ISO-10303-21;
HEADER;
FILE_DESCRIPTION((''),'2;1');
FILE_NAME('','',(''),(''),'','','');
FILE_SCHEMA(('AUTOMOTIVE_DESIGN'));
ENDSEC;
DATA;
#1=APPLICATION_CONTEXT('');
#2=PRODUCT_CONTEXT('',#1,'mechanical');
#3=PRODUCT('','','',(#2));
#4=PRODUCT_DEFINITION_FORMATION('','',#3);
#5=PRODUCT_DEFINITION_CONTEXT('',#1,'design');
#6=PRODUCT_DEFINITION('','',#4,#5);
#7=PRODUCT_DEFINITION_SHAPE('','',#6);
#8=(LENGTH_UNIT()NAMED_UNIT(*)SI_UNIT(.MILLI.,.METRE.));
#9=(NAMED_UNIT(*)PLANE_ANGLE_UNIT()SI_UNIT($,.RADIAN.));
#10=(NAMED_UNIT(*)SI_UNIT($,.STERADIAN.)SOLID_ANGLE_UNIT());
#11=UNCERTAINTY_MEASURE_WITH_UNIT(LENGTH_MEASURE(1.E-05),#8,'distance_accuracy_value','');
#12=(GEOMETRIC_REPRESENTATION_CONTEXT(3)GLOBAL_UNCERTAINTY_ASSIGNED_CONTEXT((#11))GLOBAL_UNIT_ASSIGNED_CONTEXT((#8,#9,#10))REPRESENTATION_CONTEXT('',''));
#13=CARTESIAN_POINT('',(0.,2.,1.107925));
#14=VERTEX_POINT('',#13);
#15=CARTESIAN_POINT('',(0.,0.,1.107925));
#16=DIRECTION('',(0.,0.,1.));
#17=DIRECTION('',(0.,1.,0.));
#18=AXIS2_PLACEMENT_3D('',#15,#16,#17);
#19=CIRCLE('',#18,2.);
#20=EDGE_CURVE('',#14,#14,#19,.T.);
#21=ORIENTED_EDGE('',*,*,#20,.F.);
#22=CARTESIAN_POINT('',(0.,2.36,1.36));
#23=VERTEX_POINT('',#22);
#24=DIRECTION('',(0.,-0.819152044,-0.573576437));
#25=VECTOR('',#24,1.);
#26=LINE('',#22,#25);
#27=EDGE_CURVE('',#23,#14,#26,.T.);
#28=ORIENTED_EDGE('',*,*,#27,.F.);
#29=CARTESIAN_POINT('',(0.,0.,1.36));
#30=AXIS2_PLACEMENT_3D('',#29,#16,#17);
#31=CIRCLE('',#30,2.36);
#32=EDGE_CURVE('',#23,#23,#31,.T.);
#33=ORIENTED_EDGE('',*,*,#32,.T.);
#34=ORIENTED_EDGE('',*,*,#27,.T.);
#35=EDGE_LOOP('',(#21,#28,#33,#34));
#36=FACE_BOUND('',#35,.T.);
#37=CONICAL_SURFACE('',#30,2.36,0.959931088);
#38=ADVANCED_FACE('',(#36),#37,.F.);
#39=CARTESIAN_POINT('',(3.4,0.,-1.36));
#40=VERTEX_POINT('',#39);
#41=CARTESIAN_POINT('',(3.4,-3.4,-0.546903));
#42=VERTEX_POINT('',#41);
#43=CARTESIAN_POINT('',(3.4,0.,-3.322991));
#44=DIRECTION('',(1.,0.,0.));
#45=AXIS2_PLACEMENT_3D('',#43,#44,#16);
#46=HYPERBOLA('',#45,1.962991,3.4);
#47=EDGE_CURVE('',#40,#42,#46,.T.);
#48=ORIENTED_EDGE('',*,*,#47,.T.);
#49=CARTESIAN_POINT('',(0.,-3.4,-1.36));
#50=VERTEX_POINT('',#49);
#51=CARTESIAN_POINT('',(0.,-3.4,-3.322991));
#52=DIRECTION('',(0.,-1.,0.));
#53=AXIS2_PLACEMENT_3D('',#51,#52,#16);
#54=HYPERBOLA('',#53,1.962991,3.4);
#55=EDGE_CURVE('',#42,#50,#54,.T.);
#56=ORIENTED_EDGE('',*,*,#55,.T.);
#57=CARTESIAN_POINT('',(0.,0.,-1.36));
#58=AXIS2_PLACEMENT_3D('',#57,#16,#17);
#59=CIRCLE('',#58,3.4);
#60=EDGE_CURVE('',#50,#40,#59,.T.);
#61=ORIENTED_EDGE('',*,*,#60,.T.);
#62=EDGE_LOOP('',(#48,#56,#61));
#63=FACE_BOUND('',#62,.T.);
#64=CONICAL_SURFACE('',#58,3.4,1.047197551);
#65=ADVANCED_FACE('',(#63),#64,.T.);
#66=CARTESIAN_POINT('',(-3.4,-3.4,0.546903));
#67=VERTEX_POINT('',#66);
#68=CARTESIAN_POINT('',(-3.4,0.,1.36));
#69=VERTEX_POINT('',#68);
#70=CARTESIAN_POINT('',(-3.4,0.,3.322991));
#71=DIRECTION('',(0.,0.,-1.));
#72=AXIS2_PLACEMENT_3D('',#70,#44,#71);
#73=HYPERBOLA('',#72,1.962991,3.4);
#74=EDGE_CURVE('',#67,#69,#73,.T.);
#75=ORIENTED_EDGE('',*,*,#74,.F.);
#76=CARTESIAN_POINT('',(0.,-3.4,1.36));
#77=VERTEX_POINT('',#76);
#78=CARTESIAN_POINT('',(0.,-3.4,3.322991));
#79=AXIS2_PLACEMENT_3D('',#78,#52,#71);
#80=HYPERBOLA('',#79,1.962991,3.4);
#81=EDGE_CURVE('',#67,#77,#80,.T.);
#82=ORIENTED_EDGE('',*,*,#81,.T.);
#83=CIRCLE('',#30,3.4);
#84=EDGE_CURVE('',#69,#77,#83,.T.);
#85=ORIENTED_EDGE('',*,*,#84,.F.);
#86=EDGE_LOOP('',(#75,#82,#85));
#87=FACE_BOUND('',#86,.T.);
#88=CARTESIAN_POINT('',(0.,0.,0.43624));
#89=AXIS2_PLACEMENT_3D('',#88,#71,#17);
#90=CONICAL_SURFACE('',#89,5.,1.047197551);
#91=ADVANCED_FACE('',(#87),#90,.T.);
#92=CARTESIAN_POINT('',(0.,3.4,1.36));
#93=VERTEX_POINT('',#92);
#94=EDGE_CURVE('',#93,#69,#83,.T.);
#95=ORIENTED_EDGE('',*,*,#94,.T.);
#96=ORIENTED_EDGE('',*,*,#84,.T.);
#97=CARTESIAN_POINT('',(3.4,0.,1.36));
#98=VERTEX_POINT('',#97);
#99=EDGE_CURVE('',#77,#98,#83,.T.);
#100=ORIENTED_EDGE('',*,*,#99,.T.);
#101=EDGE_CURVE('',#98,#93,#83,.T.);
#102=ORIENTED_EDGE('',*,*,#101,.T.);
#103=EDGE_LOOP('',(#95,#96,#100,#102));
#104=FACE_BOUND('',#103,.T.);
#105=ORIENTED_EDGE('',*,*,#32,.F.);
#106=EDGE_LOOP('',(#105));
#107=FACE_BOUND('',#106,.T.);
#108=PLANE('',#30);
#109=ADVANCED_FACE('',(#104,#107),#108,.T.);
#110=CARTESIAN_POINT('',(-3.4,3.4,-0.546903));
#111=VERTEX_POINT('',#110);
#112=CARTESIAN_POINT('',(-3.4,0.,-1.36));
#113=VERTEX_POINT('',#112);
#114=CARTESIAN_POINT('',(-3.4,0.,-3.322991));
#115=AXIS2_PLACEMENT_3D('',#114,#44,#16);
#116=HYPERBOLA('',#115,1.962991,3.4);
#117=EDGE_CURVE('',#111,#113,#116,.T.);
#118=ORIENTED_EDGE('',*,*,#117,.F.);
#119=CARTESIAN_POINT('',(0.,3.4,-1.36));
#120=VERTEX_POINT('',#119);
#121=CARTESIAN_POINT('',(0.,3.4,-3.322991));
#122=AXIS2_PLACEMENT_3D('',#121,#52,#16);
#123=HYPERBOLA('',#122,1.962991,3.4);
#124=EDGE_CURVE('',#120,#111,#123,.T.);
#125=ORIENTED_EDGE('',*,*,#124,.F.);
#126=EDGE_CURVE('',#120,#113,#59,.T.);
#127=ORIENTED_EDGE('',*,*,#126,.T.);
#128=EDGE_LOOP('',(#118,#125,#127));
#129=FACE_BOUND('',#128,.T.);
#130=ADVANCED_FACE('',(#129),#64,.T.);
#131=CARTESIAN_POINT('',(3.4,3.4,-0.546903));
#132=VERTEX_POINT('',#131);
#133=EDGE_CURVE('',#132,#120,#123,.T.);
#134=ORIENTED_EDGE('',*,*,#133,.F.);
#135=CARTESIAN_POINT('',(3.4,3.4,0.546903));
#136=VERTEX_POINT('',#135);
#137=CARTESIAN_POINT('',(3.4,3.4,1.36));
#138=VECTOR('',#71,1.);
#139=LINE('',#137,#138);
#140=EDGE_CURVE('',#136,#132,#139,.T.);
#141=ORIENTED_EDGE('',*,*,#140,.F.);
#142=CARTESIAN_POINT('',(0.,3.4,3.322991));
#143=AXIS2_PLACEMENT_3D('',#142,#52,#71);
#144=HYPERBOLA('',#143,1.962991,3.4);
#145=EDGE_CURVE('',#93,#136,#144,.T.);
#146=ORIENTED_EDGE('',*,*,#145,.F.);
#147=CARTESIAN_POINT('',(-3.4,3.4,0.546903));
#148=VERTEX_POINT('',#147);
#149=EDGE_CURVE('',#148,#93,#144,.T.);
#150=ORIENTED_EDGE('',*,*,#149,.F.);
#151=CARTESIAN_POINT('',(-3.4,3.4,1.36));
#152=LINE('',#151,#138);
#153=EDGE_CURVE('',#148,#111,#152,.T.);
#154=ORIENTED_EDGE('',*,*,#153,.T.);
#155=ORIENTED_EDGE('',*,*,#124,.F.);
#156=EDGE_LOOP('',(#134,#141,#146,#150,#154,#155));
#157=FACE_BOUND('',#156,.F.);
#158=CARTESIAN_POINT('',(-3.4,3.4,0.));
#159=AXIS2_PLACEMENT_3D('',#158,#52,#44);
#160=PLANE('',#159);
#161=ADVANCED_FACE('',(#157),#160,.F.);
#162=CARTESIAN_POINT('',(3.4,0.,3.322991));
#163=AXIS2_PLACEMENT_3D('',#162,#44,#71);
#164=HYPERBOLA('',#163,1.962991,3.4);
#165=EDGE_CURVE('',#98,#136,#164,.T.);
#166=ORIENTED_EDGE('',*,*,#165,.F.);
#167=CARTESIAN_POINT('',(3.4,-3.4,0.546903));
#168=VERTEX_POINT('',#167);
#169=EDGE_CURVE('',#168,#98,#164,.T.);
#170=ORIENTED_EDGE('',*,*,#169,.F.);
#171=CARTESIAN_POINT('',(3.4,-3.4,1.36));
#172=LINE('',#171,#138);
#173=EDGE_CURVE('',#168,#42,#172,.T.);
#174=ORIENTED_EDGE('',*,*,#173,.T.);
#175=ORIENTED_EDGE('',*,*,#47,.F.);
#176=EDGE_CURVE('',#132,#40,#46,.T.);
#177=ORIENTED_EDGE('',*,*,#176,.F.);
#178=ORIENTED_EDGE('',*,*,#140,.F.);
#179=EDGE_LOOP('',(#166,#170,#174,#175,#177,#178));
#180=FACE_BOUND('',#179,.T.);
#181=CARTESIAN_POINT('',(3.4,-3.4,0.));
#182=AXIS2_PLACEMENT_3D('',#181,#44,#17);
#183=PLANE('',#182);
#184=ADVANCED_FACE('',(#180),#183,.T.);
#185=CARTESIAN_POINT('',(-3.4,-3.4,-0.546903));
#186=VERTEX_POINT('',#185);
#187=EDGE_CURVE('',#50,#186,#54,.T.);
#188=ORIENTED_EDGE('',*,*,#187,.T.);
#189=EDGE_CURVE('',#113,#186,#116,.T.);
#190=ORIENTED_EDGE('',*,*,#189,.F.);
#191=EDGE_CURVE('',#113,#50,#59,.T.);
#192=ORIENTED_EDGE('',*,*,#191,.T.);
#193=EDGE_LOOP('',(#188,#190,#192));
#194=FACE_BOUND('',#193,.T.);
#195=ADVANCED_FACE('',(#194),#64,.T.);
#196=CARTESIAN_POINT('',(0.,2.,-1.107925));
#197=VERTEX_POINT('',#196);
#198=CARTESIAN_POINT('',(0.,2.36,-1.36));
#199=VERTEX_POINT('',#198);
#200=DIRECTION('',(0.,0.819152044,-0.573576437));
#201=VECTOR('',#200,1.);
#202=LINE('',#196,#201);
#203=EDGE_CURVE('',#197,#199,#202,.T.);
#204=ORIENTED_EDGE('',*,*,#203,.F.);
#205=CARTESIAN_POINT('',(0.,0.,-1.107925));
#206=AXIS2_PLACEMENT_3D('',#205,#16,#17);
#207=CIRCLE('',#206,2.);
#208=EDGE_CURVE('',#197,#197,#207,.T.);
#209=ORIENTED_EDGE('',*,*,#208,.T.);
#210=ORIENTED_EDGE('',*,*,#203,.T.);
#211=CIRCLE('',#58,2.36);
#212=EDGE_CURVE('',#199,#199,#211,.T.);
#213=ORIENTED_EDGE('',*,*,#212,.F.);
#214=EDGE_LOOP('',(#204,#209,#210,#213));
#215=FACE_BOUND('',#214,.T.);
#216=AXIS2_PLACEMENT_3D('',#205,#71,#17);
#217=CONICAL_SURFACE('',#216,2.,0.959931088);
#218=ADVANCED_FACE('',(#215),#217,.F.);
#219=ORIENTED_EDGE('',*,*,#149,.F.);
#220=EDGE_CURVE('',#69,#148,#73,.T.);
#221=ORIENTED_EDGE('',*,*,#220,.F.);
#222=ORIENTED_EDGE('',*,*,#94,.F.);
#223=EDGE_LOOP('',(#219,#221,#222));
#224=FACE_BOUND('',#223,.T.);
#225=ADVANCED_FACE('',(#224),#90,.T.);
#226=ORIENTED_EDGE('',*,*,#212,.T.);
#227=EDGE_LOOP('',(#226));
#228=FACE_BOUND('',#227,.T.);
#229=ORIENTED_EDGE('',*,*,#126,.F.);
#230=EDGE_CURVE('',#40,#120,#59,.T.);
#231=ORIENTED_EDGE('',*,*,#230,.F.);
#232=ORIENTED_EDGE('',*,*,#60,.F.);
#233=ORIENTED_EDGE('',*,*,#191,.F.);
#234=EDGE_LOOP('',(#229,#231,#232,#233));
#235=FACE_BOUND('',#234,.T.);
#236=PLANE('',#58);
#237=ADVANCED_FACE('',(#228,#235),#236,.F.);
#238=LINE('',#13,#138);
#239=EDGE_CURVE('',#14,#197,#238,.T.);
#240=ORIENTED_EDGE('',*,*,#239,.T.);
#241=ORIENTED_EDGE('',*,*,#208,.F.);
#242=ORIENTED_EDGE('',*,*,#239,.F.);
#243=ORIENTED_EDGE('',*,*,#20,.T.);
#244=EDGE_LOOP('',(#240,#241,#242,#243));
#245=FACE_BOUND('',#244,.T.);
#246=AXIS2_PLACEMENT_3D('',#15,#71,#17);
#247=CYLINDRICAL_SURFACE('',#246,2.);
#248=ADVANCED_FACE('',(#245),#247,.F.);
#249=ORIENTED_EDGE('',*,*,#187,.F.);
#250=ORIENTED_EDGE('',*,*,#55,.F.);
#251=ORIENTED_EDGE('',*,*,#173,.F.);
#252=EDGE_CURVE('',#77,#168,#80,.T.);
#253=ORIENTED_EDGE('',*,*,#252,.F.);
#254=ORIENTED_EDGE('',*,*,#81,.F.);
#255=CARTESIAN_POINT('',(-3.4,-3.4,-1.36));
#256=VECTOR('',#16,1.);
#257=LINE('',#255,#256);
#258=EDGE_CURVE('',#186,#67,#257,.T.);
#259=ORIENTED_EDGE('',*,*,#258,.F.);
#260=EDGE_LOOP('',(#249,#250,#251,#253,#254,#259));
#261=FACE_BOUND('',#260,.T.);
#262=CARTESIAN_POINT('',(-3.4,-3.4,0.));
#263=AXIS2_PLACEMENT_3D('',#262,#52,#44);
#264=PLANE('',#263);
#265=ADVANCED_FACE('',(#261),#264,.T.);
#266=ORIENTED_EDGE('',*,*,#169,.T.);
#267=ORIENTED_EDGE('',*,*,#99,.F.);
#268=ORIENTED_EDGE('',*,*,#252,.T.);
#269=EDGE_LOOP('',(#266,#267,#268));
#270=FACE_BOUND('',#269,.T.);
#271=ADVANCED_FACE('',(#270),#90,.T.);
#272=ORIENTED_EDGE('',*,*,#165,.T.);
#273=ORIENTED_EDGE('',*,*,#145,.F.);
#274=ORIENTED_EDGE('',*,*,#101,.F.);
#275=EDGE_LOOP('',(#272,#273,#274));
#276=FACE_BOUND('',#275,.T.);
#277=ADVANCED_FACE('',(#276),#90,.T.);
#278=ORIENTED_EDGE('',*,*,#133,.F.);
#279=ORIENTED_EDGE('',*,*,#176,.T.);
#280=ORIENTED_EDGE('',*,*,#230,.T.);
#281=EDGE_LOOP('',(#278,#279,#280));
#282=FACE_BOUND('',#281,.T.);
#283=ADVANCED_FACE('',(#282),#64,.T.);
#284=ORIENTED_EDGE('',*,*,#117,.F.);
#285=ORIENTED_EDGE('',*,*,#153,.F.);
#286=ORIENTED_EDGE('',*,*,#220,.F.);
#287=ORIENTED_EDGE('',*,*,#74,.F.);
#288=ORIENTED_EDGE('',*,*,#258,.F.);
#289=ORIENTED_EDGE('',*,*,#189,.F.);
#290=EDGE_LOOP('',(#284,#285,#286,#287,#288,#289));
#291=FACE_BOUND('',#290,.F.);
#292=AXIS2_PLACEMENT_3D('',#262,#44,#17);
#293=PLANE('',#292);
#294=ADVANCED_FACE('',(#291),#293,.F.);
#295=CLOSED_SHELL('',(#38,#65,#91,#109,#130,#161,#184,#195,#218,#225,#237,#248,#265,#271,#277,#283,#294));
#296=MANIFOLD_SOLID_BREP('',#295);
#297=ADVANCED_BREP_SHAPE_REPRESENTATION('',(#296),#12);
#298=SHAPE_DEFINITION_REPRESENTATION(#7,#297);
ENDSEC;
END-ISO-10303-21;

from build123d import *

# Parameters (mm, degrees)
SKETCH2_OUTSIDE_W   = 14.88
SKETCH2_OUTSIDE_H   = 14.88
SKETCH2_OUTSIDE_W_2 = 6.8
SKETCH2_OUTSIDE_H_2 = 6.8
CUT_EXTRUDE1_DEPTH  = 1.36


with BuildPart() as part:
    # Sketch1 → Revolve1 (revolve)
    with BuildSketch(Plane(origin=(0, 0, 0), x_dir=(0, 0, -1), z_dir=(1, 0, 0))):
        Polygon((0.436239569, 5), (-0.436239569, 5), (-1.36, 3.4), (-1.36, 2.36), (-1.107925286, 2), (1.107925286, 2), (1.36, 2.36), (1.36, 3.4), align=None)
    revolve(axis=Axis((0, 0, -2), (0, 0, 1)))

    # Sketch2 outside → Cut-Extrude1 (cut, symmetric)
    with BuildSketch(Plane.XY):
        Rectangle(SKETCH2_OUTSIDE_W, SKETCH2_OUTSIDE_H)
        Rectangle(SKETCH2_OUTSIDE_W_2, SKETCH2_OUTSIDE_H_2, mode=Mode.SUBTRACT)
    extrude(amount=CUT_EXTRUDE1_DEPTH, both=True, mode=Mode.SUBTRACT)


solid = part.part
